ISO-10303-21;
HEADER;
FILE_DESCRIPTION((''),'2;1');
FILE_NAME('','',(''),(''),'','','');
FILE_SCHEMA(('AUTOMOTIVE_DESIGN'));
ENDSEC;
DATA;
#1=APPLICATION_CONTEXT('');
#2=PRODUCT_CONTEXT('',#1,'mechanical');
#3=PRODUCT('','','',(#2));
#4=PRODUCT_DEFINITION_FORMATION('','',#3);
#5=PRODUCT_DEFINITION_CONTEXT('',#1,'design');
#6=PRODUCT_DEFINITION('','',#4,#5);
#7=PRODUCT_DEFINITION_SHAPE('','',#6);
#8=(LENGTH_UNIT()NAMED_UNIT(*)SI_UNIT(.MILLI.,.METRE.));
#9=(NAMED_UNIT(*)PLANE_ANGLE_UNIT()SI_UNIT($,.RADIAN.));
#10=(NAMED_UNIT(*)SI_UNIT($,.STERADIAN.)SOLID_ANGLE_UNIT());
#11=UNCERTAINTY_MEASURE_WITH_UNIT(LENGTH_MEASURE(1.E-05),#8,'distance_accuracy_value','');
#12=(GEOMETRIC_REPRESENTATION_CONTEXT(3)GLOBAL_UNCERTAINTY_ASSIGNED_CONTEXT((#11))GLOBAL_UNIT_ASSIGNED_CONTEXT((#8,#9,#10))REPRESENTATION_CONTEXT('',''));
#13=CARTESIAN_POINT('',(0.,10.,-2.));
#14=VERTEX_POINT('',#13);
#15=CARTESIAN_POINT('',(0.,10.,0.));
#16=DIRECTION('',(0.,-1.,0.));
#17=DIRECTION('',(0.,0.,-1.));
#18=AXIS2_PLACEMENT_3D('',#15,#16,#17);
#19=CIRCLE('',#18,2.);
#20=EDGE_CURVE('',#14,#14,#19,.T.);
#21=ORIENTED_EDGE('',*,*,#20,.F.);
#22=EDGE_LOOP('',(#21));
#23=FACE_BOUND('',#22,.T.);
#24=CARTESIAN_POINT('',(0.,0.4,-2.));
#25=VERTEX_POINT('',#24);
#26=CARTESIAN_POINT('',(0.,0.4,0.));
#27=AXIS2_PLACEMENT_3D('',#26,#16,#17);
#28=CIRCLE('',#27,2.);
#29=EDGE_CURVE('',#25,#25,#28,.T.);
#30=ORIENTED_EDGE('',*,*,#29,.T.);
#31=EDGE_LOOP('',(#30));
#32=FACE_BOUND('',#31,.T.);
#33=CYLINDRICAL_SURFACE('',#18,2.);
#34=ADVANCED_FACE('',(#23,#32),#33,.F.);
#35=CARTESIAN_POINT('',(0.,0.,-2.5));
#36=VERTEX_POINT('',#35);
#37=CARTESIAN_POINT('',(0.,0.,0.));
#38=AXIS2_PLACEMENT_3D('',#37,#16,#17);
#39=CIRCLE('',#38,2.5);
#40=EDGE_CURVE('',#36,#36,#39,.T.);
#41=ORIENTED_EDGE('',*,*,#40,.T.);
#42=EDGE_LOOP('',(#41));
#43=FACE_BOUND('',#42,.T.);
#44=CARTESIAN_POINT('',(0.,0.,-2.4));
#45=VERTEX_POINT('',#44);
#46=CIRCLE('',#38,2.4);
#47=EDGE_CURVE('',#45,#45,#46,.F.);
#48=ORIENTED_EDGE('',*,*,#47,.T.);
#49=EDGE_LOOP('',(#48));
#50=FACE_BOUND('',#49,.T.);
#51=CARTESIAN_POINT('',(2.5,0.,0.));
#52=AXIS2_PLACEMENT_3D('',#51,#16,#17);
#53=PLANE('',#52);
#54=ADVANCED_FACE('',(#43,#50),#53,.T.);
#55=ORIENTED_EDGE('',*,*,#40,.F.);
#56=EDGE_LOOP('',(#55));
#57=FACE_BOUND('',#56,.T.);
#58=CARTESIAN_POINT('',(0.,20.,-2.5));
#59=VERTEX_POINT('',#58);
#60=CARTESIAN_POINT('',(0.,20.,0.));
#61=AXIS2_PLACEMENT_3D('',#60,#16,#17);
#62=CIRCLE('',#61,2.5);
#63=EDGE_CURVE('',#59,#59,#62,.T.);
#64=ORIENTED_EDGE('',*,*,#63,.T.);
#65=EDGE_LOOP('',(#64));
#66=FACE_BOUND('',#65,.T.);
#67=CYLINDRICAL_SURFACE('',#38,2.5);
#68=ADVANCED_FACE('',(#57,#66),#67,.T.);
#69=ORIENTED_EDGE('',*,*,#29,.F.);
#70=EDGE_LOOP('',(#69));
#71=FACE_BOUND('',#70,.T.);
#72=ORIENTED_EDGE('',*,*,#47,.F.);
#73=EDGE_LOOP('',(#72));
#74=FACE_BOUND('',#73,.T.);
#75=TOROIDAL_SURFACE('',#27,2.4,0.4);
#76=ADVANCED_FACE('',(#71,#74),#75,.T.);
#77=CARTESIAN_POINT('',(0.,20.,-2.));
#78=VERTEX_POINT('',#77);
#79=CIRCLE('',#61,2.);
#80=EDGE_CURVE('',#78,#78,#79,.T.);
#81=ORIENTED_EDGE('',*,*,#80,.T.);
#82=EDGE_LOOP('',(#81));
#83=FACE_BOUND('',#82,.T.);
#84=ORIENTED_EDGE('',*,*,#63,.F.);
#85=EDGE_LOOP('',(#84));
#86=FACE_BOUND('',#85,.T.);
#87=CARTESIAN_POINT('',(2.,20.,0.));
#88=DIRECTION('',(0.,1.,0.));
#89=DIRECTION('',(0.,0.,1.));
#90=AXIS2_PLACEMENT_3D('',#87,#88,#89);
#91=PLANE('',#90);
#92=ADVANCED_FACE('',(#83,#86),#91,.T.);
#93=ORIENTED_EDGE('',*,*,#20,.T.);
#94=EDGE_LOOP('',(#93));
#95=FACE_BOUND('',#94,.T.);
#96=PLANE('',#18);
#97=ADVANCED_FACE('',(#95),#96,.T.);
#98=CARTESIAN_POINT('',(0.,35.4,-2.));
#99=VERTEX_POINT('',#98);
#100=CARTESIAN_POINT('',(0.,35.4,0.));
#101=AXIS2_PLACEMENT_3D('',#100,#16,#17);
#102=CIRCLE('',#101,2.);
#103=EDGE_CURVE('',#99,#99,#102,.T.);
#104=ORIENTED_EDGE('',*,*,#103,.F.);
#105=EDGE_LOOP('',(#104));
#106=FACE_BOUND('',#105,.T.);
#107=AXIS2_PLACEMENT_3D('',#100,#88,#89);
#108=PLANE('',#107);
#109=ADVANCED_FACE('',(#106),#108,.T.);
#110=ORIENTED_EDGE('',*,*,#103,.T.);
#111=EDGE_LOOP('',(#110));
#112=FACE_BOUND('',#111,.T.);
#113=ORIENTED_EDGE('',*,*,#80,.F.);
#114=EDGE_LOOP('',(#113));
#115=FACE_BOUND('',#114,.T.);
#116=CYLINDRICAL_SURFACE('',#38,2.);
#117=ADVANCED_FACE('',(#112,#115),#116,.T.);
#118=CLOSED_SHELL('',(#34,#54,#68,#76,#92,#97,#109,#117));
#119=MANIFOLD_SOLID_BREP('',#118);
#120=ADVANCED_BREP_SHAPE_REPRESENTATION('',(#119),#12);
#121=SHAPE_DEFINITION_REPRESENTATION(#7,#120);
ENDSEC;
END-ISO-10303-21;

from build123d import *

# Parameters (mm, degrees)
IZIM2_R               = 2
KES_EKSTR_ZYON1_DEPTH = 10
RADYUS1_R             = 0.4


with BuildPart() as part:
    # Çizim1 → Döndür1 (revolve)
    with BuildSketch(Plane.XY, mode=Mode.PRIVATE) as d_nd_r1_sk:
        Polygon((0, 0), (0, 35.4), (2, 35.4), (2, 20), (2.5, 20), (2.5, 0), align=None)
    revolve(d_nd_r1_sk.sketch.rotate(Axis((0, 0, 0), (0, 1, 0)), 90), axis=Axis((0, 0, 0), (0, 1, 0)))

    # Çizim2 → Kes-Ekstrüzyon1 (cut)
    with BuildSketch(Plane.XZ):
        with Locations(Location((0, 0, 0), (0, 0, 270))):
            Circle(IZIM2_R)
    extrude(amount=-KES_EKSTR_ZYON1_DEPTH, mode=Mode.SUBTRACT)

    # Radyus1
    radyus1_edges = [part.edges().sort_by_distance(p)[0] for p in [
        (0, 0, 2),
    ]]
    fillet(radyus1_edges, radius=RADYUS1_R)


solid = part.part
